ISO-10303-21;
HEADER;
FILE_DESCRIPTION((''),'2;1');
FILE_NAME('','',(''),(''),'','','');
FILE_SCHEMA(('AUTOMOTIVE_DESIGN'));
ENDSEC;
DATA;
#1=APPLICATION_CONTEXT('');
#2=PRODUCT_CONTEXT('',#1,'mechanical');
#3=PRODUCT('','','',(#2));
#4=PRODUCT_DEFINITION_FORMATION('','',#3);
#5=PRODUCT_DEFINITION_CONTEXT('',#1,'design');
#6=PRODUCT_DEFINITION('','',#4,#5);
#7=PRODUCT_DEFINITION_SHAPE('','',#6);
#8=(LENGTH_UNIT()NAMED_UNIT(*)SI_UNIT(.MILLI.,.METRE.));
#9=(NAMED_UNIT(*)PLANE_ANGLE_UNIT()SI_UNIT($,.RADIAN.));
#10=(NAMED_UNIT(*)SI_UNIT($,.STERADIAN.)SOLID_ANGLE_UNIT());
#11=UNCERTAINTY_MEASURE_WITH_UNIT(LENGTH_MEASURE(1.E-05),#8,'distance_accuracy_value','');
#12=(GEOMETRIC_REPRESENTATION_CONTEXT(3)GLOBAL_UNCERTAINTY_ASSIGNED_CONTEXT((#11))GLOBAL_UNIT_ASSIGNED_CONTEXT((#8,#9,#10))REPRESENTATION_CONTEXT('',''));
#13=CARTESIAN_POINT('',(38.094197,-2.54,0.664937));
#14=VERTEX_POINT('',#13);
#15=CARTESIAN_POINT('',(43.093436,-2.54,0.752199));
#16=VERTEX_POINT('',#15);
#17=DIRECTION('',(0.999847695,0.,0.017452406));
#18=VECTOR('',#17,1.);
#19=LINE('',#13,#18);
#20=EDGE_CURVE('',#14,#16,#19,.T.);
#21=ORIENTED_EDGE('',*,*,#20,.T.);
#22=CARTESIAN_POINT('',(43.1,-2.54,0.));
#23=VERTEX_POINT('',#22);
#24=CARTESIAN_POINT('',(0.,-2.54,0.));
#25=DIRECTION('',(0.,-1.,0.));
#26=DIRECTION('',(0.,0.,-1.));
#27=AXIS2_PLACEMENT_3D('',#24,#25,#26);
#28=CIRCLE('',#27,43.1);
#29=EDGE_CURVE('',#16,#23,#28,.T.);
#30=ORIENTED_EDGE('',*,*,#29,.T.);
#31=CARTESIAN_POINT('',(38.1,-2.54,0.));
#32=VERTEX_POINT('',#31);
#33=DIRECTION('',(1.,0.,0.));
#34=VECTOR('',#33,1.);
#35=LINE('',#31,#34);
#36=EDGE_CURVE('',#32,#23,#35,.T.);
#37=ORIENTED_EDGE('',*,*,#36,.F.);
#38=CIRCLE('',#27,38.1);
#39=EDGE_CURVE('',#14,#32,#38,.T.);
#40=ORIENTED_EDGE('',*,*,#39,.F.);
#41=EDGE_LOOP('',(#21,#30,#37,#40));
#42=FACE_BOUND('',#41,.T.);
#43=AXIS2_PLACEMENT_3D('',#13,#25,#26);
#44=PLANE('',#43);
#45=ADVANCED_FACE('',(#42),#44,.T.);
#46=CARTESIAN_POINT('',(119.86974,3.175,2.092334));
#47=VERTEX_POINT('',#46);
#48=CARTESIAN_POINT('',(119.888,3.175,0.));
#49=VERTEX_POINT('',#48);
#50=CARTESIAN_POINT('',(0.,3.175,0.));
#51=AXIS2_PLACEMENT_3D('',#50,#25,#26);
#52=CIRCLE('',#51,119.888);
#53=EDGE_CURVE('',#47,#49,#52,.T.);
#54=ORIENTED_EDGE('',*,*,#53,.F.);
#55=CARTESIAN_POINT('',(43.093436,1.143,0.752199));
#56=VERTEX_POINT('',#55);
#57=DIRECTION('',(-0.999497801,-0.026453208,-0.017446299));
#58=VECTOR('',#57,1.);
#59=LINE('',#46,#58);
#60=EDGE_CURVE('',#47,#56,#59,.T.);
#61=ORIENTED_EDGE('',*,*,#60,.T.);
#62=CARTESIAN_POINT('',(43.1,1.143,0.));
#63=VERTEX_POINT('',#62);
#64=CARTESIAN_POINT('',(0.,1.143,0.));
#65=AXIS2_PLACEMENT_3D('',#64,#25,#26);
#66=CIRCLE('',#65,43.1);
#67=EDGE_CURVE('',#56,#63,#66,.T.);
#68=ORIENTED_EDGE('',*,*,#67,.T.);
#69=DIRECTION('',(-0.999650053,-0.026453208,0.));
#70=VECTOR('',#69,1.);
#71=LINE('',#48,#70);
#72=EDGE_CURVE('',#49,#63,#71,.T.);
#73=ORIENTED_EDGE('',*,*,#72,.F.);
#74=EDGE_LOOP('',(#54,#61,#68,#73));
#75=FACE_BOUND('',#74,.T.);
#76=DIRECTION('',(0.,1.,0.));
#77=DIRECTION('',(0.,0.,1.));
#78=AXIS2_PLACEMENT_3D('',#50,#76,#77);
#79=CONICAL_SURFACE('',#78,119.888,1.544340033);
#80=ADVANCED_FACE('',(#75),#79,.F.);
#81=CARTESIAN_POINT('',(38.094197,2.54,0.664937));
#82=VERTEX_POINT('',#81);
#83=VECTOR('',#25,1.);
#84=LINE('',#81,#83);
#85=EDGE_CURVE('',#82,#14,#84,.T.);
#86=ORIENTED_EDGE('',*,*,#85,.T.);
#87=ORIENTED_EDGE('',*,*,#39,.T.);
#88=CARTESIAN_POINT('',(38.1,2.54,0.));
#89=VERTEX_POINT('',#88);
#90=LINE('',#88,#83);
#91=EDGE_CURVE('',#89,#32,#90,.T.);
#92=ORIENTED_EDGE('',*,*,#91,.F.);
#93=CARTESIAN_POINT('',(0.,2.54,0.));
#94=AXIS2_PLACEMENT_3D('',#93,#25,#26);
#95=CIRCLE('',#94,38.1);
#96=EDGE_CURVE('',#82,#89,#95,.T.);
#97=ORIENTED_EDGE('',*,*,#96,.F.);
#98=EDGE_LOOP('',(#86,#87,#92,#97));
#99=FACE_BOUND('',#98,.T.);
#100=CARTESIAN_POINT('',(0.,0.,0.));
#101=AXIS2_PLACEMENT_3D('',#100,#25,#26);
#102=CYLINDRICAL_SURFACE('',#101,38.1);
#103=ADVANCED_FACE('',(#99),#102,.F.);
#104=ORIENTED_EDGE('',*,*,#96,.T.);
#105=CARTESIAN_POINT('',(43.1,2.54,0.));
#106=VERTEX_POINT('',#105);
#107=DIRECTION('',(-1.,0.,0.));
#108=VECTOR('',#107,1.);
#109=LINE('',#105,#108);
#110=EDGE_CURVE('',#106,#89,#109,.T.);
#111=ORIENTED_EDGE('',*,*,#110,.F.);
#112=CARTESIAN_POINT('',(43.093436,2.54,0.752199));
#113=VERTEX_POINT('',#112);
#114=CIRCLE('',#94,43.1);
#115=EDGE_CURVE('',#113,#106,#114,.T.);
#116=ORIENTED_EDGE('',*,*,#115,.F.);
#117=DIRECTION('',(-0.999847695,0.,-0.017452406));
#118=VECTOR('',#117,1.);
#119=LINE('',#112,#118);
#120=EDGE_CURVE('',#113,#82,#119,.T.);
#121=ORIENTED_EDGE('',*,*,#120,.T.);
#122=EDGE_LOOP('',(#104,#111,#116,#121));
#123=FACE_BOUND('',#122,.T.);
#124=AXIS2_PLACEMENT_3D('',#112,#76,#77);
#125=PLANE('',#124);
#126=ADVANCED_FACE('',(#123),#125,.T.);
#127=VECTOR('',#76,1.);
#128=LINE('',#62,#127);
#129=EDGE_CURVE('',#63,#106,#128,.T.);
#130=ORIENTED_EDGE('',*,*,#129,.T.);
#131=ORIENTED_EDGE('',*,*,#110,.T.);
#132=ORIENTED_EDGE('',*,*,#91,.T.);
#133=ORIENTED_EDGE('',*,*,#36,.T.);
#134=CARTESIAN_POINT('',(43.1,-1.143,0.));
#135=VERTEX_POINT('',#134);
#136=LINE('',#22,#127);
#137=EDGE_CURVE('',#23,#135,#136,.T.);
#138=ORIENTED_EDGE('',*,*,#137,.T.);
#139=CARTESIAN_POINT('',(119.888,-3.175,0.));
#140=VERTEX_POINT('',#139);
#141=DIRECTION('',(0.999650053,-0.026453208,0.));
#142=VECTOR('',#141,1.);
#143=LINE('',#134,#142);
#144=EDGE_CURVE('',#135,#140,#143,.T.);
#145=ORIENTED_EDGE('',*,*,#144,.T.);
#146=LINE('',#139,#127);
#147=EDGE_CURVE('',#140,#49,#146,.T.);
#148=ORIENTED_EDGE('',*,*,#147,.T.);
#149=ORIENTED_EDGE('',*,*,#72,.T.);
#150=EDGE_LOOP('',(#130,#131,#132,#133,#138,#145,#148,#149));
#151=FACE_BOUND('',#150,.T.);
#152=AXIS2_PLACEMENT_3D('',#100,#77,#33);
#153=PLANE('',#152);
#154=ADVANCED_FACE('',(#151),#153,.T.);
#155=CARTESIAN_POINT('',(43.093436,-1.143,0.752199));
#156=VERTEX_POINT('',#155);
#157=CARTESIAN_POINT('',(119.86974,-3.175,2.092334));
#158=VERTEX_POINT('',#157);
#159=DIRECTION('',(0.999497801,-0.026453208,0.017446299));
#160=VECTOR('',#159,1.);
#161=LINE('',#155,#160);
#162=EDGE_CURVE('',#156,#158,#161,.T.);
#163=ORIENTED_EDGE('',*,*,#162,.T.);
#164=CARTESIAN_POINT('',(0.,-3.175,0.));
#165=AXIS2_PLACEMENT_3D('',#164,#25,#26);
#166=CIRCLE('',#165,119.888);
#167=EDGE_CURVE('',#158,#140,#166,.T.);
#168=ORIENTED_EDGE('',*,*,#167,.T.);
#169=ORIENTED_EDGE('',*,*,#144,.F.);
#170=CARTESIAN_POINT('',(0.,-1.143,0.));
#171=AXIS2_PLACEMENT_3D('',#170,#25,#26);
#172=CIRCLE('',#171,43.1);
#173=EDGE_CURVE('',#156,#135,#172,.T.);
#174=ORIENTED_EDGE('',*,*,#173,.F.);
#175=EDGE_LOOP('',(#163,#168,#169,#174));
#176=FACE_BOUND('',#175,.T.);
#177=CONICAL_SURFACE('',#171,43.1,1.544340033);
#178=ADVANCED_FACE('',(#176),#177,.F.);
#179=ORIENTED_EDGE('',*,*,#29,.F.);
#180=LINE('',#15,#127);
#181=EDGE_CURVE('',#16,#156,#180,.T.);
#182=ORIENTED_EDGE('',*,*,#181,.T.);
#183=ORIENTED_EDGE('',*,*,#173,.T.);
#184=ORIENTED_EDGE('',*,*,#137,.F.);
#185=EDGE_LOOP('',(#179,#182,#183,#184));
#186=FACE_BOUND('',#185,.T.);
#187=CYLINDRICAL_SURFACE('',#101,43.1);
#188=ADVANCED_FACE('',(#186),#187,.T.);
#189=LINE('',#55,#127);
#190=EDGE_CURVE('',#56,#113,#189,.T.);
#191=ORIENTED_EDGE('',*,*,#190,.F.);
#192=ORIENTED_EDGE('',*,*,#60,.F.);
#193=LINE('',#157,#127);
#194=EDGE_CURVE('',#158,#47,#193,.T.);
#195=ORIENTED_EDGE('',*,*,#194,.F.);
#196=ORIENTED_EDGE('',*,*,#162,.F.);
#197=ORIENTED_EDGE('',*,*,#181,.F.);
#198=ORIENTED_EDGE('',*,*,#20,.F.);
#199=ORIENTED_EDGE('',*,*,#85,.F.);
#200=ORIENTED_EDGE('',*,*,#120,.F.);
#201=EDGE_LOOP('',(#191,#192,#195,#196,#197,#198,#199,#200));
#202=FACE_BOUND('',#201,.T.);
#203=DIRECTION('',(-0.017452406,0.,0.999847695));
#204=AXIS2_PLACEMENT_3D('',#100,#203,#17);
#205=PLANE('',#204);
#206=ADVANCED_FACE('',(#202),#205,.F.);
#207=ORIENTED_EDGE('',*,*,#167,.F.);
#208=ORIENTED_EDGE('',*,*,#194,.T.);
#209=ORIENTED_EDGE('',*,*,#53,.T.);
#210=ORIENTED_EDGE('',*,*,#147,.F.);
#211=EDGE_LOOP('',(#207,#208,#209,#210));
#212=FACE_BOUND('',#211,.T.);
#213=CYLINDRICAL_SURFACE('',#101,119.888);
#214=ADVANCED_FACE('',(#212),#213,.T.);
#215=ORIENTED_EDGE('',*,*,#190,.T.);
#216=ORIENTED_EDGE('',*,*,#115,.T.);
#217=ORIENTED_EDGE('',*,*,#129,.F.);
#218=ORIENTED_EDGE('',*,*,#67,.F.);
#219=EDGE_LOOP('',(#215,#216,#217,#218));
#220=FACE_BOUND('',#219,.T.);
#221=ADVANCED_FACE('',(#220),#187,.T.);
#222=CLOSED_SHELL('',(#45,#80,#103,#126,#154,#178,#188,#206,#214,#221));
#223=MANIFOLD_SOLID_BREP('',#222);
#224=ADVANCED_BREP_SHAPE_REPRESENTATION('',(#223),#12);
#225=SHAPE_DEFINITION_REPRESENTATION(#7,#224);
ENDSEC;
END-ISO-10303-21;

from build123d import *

# Parameters (mm, degrees)
REVOLVE1_ANGLE = 359


with BuildPart() as part:
    # Sketch1 → Revolve1 (revolve)
    with BuildSketch(Plane.XY):
        Polygon((43.1, 2.54), (38.1, 2.54), (38.1, -2.54), (43.1, -2.54), (43.1, -1.143), (119.888, -3.175), (119.888, 3.175), (43.1, 1.143), align=None)
    revolve(axis=Axis((0, 0, 0), (0, 1, 0)), revolution_arc=REVOLVE1_ANGLE)


solid = part.part
